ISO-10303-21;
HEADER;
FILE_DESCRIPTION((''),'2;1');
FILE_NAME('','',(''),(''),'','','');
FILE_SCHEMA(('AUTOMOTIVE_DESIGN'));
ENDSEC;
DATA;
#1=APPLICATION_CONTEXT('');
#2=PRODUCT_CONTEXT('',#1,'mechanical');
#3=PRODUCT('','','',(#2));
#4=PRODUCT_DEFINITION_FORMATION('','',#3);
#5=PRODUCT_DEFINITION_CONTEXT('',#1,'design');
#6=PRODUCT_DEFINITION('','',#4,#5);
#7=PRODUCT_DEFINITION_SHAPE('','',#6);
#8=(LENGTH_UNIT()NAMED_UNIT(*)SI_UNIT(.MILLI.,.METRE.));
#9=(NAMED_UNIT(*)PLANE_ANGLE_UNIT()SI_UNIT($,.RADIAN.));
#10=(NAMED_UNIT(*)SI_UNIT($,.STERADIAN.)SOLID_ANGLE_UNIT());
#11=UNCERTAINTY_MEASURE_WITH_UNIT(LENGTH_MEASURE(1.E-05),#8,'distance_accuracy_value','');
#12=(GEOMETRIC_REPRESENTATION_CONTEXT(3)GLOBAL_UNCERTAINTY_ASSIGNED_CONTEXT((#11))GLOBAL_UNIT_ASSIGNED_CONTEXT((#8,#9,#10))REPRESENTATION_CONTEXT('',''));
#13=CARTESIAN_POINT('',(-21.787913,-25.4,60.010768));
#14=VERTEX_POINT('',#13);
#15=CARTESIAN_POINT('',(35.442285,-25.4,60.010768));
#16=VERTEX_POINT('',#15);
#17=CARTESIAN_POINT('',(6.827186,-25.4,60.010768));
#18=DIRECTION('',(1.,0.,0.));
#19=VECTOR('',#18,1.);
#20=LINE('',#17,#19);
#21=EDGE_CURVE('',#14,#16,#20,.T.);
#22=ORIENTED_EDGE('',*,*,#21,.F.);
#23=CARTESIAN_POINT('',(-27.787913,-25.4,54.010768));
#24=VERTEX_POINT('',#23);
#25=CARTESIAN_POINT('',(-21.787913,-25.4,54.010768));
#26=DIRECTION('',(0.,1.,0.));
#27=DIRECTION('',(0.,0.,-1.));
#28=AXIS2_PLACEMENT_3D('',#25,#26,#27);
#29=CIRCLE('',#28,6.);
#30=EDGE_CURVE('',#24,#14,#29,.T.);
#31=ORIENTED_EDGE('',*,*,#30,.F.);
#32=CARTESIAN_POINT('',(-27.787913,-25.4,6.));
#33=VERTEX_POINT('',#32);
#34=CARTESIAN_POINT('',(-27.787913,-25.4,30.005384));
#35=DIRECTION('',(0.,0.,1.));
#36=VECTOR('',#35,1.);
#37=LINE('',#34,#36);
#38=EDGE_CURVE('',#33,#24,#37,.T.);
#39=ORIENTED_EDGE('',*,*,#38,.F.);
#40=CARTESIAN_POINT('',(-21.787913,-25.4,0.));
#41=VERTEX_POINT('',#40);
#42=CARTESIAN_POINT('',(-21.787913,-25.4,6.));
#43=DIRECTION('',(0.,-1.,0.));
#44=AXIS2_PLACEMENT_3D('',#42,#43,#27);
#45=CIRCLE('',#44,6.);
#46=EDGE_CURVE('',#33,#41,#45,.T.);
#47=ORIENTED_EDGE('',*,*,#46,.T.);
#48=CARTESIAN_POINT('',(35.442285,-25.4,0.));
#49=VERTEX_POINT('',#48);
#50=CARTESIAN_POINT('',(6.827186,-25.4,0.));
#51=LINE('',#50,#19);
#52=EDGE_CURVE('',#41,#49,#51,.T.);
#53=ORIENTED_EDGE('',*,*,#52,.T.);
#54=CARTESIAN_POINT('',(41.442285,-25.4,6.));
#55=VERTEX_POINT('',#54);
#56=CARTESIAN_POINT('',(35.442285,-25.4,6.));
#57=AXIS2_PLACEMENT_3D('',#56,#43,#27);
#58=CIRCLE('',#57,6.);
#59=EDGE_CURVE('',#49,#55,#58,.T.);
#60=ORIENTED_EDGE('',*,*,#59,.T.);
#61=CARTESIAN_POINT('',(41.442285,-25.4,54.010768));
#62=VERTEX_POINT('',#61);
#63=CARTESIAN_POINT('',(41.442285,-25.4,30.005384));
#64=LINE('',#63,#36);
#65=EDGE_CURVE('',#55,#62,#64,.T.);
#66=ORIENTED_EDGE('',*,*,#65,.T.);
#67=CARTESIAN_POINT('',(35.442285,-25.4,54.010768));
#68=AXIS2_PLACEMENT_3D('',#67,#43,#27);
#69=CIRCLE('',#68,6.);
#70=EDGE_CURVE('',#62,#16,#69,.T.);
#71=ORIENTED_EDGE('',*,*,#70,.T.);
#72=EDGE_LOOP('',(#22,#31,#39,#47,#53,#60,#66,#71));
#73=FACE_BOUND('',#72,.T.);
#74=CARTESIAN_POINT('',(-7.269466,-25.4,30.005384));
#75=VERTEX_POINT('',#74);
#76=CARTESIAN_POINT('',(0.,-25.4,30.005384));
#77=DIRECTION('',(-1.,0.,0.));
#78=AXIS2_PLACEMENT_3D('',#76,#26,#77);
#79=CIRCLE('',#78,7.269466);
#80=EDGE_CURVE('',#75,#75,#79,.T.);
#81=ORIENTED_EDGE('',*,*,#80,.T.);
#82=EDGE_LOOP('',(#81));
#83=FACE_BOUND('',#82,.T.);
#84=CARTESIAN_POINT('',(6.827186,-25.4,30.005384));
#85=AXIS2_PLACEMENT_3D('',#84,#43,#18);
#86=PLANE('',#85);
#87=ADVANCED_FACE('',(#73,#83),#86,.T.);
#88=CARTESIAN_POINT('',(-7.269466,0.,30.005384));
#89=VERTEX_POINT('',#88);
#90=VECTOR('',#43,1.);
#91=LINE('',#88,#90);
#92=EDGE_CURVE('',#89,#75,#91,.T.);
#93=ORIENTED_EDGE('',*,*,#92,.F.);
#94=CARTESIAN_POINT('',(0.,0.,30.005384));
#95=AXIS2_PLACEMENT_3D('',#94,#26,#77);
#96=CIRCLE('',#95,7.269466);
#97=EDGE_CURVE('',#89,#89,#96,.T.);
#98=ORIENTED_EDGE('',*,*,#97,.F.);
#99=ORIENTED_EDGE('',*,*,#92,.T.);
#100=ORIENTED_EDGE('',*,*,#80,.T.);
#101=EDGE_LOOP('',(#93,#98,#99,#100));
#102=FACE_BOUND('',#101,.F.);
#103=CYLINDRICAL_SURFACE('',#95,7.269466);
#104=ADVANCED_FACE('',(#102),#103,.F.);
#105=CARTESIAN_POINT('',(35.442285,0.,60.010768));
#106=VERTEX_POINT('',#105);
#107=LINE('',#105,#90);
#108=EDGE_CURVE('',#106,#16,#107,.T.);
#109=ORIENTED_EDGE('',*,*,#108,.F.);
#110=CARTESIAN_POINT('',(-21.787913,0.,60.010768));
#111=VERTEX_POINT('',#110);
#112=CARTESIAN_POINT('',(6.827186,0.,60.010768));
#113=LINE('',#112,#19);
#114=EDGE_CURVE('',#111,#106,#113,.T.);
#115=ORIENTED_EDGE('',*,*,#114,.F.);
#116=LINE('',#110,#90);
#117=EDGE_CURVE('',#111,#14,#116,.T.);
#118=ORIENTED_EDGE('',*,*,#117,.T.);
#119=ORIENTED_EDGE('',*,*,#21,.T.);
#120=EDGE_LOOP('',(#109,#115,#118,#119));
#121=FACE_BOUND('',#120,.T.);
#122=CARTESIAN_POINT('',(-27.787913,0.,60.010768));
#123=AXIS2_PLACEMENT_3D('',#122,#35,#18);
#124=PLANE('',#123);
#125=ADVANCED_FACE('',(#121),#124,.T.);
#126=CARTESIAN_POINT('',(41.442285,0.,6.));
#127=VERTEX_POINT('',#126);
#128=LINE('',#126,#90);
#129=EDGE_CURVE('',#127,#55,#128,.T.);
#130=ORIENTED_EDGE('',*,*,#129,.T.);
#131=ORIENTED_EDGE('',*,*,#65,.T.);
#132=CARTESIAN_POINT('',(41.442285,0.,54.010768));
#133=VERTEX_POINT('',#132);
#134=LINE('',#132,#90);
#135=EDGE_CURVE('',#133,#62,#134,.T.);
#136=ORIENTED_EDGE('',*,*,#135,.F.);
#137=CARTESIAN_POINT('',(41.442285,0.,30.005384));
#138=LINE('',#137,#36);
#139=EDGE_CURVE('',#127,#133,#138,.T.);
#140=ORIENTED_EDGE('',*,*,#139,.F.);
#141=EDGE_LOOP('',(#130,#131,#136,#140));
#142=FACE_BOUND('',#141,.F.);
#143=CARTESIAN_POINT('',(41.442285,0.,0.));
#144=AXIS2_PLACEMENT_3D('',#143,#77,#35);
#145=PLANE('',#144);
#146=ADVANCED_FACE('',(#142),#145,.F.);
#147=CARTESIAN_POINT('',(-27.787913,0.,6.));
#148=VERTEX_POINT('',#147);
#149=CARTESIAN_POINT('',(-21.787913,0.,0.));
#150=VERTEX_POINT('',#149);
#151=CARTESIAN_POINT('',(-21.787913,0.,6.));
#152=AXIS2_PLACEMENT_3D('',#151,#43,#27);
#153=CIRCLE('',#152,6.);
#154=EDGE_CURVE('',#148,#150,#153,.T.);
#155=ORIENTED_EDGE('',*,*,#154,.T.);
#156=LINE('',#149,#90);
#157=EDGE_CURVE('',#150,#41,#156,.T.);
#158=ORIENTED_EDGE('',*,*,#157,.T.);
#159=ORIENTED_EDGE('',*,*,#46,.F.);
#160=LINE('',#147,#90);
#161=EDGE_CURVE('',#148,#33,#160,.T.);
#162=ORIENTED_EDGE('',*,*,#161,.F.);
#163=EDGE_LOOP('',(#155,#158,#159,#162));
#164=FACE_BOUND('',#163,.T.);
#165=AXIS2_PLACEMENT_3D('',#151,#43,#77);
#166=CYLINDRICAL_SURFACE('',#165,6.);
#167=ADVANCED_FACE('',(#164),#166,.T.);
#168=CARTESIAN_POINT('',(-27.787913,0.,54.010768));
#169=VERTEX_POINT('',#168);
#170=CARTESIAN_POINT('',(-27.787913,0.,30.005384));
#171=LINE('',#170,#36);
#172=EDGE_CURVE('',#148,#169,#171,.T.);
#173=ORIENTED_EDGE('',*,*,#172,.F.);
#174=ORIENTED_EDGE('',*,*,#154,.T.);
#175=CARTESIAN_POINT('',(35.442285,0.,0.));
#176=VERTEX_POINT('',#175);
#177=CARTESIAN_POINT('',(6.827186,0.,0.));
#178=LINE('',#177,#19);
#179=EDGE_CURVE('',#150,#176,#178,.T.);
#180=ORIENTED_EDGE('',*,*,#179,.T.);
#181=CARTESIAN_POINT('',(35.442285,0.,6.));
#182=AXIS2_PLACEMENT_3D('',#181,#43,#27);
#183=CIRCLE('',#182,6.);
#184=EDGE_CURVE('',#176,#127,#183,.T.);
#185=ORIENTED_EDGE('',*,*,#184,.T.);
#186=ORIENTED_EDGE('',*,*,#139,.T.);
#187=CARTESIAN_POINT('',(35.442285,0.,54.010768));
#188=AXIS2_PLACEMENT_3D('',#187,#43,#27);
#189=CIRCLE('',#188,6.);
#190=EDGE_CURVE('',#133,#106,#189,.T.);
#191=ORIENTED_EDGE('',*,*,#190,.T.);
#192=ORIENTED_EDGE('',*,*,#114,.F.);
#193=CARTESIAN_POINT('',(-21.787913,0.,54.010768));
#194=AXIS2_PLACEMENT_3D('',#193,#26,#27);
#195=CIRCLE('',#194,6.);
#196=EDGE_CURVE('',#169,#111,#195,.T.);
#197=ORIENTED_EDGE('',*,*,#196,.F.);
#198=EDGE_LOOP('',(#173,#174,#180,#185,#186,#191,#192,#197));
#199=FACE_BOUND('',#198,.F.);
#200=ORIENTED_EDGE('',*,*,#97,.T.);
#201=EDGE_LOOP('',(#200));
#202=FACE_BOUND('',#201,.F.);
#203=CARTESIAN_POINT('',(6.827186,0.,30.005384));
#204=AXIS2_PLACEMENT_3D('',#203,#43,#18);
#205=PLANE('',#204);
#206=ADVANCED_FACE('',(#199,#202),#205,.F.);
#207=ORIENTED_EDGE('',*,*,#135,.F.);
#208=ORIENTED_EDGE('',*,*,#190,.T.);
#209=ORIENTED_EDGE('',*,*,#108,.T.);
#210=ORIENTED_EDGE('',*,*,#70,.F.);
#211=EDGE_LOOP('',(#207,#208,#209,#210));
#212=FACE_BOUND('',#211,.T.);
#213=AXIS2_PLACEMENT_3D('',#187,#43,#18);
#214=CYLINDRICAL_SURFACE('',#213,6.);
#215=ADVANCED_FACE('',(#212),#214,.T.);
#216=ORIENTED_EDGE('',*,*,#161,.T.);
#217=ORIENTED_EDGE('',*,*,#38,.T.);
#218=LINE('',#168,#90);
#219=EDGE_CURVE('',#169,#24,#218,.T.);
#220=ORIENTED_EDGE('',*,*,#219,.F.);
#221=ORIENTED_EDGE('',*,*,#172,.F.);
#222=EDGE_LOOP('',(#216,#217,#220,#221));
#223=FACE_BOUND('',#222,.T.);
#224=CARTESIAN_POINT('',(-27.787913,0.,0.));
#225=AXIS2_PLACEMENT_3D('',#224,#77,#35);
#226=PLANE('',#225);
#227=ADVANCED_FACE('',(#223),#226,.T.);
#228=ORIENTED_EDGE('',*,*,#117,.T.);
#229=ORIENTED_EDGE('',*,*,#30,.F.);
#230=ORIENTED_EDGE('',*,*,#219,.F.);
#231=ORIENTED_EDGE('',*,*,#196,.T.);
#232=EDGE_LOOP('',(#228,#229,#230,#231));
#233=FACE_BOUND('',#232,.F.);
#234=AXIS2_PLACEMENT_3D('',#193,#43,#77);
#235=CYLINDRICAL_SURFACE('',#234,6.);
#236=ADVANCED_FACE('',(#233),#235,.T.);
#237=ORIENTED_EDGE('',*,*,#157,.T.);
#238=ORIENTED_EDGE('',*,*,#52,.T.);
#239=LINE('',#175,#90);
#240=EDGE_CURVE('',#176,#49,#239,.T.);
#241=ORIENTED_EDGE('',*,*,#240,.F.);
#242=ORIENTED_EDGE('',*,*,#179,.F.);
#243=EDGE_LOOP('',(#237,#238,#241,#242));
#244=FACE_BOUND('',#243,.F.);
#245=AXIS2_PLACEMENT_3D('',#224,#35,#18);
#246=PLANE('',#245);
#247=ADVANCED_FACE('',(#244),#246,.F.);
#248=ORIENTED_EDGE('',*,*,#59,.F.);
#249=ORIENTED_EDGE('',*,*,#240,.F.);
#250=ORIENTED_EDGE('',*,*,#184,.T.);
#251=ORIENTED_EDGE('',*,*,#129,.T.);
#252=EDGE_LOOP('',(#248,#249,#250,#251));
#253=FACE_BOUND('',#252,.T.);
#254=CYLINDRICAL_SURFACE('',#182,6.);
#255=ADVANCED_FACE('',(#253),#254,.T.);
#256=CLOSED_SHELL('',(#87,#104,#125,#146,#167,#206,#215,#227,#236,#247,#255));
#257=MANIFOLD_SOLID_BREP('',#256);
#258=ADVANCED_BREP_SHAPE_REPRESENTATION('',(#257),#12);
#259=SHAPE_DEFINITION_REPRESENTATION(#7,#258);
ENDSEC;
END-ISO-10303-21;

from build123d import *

# Parameters (mm, degrees)
F0_W     = 69.230199
F0_H     = 60.010768
F1_DEPTH = 25.4
F2_R     = 6
F3_R     = 7.269466
F4_DEPTH = 25.4


with BuildPart() as f1:
    # F0 (on Front) → F1 (new body)
    with BuildSketch(Plane.XZ):
        with Locations((6.827186, 30.005384)):
            Rectangle(F0_W, F0_H)
    extrude(amount=F1_DEPTH)

    # F2
    f2_edges = [f1.edges().sort_by_distance(p)[0] for p in [
        (41.442286, -12.7, 60.010768),
        (41.442286, -12.7, 0),
        (-27.787913, -12.7, 60.010768),
        (-27.787913, -12.7, 0),
    ]]
    fillet(f2_edges, radius=F2_R)

    # F3 (on face) → F4 (cut, through all)
    with BuildSketch(Plane(origin=(0, 0, 0), x_dir=(-1, 0, 0), z_dir=(0, 1, 0))):
        with Locations((0, 30.005384)):
            Circle(F3_R)
    extrude(amount=-F4_DEPTH, mode=Mode.SUBTRACT)


solid = f1.part
